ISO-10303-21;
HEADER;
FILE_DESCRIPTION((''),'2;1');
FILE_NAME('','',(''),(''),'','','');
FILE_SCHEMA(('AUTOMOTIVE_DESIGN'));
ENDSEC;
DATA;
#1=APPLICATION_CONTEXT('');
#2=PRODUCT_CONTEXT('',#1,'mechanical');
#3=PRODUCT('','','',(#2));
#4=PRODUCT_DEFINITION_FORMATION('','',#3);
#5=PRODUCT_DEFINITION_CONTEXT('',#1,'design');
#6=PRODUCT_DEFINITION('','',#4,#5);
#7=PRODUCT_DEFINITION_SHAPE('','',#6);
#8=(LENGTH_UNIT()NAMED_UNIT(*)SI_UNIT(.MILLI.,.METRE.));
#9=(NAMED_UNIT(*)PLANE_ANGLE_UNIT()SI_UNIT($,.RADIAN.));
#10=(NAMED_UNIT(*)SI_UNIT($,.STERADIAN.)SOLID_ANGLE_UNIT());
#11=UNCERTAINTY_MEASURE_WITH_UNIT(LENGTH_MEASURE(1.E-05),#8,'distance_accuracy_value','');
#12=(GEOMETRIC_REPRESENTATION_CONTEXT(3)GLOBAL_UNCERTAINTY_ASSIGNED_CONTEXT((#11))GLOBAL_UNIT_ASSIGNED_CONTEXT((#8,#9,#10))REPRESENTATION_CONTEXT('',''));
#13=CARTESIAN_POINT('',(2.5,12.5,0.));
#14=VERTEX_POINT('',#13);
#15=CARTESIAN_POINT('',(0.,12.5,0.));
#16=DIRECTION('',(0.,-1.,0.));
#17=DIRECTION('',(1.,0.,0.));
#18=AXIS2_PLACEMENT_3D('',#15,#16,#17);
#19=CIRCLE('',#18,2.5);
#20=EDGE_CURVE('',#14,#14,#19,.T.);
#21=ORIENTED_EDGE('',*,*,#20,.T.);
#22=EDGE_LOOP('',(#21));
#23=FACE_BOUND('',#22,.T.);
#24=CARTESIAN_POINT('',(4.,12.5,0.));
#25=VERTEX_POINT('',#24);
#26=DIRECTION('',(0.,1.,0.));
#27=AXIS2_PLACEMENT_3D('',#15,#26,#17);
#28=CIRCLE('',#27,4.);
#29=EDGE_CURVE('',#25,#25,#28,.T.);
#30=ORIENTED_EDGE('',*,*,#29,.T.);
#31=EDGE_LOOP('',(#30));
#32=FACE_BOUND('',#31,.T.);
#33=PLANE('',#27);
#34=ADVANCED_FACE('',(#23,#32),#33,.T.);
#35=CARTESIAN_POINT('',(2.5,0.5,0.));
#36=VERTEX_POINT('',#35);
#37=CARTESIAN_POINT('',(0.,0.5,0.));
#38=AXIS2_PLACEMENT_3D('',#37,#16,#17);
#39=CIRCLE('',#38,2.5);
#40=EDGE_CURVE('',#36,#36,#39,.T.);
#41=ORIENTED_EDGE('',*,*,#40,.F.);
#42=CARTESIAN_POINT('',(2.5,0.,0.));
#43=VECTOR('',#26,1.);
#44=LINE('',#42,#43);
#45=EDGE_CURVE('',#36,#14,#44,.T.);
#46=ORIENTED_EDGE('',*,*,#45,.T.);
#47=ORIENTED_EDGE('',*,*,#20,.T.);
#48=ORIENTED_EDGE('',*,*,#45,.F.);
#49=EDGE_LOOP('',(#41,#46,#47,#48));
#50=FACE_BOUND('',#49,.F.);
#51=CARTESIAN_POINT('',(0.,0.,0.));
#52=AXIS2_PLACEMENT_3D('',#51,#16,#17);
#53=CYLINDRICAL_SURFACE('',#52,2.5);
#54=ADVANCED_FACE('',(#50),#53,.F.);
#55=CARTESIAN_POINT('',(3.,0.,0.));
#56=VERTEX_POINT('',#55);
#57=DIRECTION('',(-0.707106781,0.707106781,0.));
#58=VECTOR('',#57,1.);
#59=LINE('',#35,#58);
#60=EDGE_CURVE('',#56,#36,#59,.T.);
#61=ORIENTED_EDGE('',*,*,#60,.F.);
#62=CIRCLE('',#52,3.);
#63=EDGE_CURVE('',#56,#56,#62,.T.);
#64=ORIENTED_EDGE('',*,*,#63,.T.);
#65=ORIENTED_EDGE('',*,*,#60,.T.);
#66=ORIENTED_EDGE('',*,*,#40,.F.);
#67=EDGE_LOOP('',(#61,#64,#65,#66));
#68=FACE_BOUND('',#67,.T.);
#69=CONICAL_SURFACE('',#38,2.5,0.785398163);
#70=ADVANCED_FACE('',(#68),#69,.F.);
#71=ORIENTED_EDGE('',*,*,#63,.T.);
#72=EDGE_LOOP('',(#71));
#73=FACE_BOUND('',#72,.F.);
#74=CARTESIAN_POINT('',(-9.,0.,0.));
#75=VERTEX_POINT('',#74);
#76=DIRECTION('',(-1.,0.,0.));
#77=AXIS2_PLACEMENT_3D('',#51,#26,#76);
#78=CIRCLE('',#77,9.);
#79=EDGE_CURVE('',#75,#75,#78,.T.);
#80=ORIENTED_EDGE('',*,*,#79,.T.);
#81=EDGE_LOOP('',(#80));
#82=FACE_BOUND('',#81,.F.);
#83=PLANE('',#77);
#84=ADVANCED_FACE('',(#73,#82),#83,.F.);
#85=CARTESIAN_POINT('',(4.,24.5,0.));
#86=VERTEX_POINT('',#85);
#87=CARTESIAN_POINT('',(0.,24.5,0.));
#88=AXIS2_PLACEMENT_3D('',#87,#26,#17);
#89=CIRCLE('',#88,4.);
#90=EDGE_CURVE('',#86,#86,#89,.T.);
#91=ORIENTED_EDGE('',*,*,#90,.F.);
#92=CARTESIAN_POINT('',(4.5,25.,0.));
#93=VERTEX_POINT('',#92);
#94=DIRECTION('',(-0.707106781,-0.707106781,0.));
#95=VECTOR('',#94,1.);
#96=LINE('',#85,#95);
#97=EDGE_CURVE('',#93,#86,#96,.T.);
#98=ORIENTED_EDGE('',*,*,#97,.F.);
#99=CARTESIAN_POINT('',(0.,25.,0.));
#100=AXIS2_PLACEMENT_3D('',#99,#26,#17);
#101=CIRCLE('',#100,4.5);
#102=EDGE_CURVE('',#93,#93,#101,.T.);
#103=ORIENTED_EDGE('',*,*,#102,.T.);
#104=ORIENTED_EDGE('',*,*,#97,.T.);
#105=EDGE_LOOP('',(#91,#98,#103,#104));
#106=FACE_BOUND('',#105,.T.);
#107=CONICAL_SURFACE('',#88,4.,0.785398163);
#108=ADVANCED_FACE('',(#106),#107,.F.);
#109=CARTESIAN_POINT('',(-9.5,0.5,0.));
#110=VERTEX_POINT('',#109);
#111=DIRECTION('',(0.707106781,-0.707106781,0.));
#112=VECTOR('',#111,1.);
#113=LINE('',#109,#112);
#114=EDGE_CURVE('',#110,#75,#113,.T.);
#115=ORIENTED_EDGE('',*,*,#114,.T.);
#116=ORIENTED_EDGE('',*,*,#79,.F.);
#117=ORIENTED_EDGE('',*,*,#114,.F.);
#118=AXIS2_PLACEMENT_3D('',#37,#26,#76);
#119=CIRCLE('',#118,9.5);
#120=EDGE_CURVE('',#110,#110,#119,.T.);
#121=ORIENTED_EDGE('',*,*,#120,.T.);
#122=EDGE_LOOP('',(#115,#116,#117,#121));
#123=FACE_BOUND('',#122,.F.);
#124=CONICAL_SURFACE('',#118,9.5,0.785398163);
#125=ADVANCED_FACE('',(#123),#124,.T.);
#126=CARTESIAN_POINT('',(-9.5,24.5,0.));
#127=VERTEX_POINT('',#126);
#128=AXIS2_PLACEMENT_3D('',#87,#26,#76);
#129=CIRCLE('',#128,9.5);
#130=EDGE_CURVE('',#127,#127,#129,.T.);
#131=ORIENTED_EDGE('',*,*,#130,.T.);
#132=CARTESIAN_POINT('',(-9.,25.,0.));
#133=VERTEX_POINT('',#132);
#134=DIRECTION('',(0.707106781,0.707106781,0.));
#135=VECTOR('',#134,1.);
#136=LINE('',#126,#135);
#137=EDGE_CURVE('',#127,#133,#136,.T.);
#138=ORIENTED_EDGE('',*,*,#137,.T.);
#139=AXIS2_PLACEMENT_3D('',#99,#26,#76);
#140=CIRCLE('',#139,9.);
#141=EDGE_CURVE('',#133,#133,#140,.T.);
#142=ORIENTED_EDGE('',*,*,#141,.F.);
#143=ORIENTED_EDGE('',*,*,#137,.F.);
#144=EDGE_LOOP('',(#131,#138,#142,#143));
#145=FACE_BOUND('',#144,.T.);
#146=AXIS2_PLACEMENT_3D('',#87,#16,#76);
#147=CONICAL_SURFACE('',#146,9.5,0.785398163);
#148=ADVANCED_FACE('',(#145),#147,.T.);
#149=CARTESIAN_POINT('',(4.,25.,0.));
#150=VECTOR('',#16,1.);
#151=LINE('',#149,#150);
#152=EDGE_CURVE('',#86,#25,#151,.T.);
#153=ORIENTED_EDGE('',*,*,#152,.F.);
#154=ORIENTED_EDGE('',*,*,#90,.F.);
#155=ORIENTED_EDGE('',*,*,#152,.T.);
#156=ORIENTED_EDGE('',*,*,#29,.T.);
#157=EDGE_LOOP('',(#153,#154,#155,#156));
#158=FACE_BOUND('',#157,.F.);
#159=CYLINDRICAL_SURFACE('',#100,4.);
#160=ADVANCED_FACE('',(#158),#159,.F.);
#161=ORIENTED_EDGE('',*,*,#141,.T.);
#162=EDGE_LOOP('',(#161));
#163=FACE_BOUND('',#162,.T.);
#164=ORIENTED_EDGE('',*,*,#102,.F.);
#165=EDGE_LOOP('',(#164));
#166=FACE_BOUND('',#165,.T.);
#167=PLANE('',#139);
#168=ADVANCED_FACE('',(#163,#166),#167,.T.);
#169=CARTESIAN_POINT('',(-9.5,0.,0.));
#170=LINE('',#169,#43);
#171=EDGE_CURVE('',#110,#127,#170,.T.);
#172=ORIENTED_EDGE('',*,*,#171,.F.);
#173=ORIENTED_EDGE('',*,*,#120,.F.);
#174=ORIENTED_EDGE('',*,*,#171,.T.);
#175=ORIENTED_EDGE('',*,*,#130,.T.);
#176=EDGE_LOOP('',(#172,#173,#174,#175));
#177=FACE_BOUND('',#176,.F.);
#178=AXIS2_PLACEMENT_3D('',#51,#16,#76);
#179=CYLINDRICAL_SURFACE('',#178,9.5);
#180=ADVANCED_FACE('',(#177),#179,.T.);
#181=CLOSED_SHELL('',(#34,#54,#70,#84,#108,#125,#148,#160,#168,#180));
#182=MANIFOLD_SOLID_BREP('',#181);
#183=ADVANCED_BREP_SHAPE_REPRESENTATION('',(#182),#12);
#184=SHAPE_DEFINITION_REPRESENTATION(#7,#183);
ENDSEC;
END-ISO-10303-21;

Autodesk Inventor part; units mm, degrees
ref_plane "YZ Plane" through (0, 0, 0) normal (1, 0, 0) x (0, 1, 0)
ref_plane "XZ Plane" through (0, 0, 0) normal (0, 1, 0) x (-1, 0, 0)
ref_plane "XY Plane" through (0, 0, 0) normal (0, 0, 1) x (1, 0, 0)
sketch "Эскиз1" plane through (0, 0, 0) normal (0, 1, 0) x (-1, 0, 0)
  circle A0 centre (0, 0) radius 9.5
  dimension "d0" = 19
extrude "Выдавливание1" add sketch "Эскиз1" along normal blind 25
sketch "Эскиз2" plane through (0, 25, 0) normal (0, 1, 0) x (1, 0, 0)
  circle A0 centre (0, 0) radius 4
  dimension "d3" = 8
extrude "Выдавливание2" cut sketch "Эскиз2" against normal blind 12.5
sketch "Эскиз3" plane through (0, 0, 0) normal (0, -1, 0) x (1, 0, 0)
  circle A0 centre (0, 0) radius 2.5
  dimension "d6" = 5
extrude "Выдавливание3" cut sketch "Эскиз3" against normal through all
thread "Резьба1" size "M20x2.5" class "6g" standard "ANSI Metric M Profile" length 9 offset 8
chamfer "Фаска1" distance 0.5 angle 45 4 edges at (-4, 25, 0) (9.5, 25, 0) (9.5, 0, 0) (-2.5, 0, 0)
properties part number "mufta_5x8"
